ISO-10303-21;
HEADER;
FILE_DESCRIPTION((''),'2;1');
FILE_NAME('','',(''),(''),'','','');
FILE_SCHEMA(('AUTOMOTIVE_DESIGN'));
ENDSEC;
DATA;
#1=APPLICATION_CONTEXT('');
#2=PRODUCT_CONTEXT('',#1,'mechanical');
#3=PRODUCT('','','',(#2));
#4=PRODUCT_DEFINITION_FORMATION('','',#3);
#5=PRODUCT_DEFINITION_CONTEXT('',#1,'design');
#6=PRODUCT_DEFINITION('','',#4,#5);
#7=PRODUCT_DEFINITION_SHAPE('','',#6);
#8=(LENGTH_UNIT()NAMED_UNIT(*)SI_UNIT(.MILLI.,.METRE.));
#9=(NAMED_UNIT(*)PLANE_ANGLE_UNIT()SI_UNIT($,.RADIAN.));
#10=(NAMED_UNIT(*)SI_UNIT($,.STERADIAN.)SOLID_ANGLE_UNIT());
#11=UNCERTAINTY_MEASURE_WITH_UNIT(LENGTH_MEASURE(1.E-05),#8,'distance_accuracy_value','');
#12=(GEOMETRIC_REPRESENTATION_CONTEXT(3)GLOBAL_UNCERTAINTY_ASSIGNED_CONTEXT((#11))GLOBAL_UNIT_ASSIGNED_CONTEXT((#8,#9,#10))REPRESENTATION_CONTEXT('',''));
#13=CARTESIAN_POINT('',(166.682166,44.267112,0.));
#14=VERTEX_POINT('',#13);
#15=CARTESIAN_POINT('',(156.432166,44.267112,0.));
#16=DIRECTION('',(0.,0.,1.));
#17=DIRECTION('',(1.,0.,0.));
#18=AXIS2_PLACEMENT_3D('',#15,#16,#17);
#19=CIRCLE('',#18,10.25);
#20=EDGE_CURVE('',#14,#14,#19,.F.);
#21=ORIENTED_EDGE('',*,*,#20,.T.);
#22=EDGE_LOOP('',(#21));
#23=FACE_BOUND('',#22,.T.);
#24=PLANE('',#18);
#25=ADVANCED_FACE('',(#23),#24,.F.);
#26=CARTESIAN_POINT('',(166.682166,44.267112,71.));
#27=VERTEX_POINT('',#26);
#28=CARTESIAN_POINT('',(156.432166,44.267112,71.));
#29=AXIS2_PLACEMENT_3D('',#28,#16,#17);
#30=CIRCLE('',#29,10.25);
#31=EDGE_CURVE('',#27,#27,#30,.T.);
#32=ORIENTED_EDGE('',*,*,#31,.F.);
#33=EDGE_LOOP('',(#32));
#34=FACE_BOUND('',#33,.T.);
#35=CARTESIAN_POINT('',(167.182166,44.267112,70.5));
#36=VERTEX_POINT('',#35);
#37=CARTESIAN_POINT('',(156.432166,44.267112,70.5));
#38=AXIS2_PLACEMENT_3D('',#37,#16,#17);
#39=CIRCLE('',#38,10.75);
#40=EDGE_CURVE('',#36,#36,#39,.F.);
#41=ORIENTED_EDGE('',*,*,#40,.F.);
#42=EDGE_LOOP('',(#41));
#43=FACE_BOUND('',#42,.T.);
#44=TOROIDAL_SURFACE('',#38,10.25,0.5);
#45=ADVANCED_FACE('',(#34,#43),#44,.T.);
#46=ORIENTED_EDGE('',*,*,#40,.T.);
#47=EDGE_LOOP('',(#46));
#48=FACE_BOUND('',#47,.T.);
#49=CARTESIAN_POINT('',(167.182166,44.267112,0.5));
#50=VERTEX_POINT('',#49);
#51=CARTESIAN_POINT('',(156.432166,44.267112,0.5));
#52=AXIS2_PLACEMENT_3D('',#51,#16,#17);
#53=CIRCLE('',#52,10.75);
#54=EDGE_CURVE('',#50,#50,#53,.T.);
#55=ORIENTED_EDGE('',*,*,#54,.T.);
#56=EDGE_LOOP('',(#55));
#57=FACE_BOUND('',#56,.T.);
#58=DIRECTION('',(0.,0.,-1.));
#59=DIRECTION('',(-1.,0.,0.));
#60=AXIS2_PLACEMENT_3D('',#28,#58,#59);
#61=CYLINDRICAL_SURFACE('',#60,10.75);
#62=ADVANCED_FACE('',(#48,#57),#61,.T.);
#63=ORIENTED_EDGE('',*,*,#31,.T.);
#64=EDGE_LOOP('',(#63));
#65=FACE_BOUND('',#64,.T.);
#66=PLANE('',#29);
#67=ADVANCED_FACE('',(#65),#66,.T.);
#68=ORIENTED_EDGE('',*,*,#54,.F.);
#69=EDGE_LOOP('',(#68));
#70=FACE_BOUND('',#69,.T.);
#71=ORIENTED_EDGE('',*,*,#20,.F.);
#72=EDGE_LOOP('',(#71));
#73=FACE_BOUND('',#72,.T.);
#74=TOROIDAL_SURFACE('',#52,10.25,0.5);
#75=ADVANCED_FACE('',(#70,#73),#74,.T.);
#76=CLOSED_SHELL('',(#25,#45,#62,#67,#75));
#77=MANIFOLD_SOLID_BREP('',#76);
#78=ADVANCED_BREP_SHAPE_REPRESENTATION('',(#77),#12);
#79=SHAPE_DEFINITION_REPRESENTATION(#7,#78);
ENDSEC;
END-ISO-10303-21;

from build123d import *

# Parameters (mm, degrees)
SKIZZE1_R                       = 10.75
AUFSATZ_LINEAR_AUSTRAGEN1_DEPTH = 71
VERRUNDUNG1_R                   = 0.5


with BuildPart() as part:
    # Skizze1 → Aufsatz-Linear austragen1 (new body)
    with BuildSketch(Plane.XY):
        with Locations((156.432165941, 44.267111819)):
            Circle(SKIZZE1_R)
    extrude(amount=AUFSATZ_LINEAR_AUSTRAGEN1_DEPTH)

    # Verrundung1
    verrundung1_edges = [part.edges().sort_by_distance(p)[0] for p in [
        (145.682165941, 44.267111819, 0),
        (145.682165941, 44.267111819, 71),
    ]]
    fillet(verrundung1_edges, radius=VERRUNDUNG1_R)


solid = part.part
